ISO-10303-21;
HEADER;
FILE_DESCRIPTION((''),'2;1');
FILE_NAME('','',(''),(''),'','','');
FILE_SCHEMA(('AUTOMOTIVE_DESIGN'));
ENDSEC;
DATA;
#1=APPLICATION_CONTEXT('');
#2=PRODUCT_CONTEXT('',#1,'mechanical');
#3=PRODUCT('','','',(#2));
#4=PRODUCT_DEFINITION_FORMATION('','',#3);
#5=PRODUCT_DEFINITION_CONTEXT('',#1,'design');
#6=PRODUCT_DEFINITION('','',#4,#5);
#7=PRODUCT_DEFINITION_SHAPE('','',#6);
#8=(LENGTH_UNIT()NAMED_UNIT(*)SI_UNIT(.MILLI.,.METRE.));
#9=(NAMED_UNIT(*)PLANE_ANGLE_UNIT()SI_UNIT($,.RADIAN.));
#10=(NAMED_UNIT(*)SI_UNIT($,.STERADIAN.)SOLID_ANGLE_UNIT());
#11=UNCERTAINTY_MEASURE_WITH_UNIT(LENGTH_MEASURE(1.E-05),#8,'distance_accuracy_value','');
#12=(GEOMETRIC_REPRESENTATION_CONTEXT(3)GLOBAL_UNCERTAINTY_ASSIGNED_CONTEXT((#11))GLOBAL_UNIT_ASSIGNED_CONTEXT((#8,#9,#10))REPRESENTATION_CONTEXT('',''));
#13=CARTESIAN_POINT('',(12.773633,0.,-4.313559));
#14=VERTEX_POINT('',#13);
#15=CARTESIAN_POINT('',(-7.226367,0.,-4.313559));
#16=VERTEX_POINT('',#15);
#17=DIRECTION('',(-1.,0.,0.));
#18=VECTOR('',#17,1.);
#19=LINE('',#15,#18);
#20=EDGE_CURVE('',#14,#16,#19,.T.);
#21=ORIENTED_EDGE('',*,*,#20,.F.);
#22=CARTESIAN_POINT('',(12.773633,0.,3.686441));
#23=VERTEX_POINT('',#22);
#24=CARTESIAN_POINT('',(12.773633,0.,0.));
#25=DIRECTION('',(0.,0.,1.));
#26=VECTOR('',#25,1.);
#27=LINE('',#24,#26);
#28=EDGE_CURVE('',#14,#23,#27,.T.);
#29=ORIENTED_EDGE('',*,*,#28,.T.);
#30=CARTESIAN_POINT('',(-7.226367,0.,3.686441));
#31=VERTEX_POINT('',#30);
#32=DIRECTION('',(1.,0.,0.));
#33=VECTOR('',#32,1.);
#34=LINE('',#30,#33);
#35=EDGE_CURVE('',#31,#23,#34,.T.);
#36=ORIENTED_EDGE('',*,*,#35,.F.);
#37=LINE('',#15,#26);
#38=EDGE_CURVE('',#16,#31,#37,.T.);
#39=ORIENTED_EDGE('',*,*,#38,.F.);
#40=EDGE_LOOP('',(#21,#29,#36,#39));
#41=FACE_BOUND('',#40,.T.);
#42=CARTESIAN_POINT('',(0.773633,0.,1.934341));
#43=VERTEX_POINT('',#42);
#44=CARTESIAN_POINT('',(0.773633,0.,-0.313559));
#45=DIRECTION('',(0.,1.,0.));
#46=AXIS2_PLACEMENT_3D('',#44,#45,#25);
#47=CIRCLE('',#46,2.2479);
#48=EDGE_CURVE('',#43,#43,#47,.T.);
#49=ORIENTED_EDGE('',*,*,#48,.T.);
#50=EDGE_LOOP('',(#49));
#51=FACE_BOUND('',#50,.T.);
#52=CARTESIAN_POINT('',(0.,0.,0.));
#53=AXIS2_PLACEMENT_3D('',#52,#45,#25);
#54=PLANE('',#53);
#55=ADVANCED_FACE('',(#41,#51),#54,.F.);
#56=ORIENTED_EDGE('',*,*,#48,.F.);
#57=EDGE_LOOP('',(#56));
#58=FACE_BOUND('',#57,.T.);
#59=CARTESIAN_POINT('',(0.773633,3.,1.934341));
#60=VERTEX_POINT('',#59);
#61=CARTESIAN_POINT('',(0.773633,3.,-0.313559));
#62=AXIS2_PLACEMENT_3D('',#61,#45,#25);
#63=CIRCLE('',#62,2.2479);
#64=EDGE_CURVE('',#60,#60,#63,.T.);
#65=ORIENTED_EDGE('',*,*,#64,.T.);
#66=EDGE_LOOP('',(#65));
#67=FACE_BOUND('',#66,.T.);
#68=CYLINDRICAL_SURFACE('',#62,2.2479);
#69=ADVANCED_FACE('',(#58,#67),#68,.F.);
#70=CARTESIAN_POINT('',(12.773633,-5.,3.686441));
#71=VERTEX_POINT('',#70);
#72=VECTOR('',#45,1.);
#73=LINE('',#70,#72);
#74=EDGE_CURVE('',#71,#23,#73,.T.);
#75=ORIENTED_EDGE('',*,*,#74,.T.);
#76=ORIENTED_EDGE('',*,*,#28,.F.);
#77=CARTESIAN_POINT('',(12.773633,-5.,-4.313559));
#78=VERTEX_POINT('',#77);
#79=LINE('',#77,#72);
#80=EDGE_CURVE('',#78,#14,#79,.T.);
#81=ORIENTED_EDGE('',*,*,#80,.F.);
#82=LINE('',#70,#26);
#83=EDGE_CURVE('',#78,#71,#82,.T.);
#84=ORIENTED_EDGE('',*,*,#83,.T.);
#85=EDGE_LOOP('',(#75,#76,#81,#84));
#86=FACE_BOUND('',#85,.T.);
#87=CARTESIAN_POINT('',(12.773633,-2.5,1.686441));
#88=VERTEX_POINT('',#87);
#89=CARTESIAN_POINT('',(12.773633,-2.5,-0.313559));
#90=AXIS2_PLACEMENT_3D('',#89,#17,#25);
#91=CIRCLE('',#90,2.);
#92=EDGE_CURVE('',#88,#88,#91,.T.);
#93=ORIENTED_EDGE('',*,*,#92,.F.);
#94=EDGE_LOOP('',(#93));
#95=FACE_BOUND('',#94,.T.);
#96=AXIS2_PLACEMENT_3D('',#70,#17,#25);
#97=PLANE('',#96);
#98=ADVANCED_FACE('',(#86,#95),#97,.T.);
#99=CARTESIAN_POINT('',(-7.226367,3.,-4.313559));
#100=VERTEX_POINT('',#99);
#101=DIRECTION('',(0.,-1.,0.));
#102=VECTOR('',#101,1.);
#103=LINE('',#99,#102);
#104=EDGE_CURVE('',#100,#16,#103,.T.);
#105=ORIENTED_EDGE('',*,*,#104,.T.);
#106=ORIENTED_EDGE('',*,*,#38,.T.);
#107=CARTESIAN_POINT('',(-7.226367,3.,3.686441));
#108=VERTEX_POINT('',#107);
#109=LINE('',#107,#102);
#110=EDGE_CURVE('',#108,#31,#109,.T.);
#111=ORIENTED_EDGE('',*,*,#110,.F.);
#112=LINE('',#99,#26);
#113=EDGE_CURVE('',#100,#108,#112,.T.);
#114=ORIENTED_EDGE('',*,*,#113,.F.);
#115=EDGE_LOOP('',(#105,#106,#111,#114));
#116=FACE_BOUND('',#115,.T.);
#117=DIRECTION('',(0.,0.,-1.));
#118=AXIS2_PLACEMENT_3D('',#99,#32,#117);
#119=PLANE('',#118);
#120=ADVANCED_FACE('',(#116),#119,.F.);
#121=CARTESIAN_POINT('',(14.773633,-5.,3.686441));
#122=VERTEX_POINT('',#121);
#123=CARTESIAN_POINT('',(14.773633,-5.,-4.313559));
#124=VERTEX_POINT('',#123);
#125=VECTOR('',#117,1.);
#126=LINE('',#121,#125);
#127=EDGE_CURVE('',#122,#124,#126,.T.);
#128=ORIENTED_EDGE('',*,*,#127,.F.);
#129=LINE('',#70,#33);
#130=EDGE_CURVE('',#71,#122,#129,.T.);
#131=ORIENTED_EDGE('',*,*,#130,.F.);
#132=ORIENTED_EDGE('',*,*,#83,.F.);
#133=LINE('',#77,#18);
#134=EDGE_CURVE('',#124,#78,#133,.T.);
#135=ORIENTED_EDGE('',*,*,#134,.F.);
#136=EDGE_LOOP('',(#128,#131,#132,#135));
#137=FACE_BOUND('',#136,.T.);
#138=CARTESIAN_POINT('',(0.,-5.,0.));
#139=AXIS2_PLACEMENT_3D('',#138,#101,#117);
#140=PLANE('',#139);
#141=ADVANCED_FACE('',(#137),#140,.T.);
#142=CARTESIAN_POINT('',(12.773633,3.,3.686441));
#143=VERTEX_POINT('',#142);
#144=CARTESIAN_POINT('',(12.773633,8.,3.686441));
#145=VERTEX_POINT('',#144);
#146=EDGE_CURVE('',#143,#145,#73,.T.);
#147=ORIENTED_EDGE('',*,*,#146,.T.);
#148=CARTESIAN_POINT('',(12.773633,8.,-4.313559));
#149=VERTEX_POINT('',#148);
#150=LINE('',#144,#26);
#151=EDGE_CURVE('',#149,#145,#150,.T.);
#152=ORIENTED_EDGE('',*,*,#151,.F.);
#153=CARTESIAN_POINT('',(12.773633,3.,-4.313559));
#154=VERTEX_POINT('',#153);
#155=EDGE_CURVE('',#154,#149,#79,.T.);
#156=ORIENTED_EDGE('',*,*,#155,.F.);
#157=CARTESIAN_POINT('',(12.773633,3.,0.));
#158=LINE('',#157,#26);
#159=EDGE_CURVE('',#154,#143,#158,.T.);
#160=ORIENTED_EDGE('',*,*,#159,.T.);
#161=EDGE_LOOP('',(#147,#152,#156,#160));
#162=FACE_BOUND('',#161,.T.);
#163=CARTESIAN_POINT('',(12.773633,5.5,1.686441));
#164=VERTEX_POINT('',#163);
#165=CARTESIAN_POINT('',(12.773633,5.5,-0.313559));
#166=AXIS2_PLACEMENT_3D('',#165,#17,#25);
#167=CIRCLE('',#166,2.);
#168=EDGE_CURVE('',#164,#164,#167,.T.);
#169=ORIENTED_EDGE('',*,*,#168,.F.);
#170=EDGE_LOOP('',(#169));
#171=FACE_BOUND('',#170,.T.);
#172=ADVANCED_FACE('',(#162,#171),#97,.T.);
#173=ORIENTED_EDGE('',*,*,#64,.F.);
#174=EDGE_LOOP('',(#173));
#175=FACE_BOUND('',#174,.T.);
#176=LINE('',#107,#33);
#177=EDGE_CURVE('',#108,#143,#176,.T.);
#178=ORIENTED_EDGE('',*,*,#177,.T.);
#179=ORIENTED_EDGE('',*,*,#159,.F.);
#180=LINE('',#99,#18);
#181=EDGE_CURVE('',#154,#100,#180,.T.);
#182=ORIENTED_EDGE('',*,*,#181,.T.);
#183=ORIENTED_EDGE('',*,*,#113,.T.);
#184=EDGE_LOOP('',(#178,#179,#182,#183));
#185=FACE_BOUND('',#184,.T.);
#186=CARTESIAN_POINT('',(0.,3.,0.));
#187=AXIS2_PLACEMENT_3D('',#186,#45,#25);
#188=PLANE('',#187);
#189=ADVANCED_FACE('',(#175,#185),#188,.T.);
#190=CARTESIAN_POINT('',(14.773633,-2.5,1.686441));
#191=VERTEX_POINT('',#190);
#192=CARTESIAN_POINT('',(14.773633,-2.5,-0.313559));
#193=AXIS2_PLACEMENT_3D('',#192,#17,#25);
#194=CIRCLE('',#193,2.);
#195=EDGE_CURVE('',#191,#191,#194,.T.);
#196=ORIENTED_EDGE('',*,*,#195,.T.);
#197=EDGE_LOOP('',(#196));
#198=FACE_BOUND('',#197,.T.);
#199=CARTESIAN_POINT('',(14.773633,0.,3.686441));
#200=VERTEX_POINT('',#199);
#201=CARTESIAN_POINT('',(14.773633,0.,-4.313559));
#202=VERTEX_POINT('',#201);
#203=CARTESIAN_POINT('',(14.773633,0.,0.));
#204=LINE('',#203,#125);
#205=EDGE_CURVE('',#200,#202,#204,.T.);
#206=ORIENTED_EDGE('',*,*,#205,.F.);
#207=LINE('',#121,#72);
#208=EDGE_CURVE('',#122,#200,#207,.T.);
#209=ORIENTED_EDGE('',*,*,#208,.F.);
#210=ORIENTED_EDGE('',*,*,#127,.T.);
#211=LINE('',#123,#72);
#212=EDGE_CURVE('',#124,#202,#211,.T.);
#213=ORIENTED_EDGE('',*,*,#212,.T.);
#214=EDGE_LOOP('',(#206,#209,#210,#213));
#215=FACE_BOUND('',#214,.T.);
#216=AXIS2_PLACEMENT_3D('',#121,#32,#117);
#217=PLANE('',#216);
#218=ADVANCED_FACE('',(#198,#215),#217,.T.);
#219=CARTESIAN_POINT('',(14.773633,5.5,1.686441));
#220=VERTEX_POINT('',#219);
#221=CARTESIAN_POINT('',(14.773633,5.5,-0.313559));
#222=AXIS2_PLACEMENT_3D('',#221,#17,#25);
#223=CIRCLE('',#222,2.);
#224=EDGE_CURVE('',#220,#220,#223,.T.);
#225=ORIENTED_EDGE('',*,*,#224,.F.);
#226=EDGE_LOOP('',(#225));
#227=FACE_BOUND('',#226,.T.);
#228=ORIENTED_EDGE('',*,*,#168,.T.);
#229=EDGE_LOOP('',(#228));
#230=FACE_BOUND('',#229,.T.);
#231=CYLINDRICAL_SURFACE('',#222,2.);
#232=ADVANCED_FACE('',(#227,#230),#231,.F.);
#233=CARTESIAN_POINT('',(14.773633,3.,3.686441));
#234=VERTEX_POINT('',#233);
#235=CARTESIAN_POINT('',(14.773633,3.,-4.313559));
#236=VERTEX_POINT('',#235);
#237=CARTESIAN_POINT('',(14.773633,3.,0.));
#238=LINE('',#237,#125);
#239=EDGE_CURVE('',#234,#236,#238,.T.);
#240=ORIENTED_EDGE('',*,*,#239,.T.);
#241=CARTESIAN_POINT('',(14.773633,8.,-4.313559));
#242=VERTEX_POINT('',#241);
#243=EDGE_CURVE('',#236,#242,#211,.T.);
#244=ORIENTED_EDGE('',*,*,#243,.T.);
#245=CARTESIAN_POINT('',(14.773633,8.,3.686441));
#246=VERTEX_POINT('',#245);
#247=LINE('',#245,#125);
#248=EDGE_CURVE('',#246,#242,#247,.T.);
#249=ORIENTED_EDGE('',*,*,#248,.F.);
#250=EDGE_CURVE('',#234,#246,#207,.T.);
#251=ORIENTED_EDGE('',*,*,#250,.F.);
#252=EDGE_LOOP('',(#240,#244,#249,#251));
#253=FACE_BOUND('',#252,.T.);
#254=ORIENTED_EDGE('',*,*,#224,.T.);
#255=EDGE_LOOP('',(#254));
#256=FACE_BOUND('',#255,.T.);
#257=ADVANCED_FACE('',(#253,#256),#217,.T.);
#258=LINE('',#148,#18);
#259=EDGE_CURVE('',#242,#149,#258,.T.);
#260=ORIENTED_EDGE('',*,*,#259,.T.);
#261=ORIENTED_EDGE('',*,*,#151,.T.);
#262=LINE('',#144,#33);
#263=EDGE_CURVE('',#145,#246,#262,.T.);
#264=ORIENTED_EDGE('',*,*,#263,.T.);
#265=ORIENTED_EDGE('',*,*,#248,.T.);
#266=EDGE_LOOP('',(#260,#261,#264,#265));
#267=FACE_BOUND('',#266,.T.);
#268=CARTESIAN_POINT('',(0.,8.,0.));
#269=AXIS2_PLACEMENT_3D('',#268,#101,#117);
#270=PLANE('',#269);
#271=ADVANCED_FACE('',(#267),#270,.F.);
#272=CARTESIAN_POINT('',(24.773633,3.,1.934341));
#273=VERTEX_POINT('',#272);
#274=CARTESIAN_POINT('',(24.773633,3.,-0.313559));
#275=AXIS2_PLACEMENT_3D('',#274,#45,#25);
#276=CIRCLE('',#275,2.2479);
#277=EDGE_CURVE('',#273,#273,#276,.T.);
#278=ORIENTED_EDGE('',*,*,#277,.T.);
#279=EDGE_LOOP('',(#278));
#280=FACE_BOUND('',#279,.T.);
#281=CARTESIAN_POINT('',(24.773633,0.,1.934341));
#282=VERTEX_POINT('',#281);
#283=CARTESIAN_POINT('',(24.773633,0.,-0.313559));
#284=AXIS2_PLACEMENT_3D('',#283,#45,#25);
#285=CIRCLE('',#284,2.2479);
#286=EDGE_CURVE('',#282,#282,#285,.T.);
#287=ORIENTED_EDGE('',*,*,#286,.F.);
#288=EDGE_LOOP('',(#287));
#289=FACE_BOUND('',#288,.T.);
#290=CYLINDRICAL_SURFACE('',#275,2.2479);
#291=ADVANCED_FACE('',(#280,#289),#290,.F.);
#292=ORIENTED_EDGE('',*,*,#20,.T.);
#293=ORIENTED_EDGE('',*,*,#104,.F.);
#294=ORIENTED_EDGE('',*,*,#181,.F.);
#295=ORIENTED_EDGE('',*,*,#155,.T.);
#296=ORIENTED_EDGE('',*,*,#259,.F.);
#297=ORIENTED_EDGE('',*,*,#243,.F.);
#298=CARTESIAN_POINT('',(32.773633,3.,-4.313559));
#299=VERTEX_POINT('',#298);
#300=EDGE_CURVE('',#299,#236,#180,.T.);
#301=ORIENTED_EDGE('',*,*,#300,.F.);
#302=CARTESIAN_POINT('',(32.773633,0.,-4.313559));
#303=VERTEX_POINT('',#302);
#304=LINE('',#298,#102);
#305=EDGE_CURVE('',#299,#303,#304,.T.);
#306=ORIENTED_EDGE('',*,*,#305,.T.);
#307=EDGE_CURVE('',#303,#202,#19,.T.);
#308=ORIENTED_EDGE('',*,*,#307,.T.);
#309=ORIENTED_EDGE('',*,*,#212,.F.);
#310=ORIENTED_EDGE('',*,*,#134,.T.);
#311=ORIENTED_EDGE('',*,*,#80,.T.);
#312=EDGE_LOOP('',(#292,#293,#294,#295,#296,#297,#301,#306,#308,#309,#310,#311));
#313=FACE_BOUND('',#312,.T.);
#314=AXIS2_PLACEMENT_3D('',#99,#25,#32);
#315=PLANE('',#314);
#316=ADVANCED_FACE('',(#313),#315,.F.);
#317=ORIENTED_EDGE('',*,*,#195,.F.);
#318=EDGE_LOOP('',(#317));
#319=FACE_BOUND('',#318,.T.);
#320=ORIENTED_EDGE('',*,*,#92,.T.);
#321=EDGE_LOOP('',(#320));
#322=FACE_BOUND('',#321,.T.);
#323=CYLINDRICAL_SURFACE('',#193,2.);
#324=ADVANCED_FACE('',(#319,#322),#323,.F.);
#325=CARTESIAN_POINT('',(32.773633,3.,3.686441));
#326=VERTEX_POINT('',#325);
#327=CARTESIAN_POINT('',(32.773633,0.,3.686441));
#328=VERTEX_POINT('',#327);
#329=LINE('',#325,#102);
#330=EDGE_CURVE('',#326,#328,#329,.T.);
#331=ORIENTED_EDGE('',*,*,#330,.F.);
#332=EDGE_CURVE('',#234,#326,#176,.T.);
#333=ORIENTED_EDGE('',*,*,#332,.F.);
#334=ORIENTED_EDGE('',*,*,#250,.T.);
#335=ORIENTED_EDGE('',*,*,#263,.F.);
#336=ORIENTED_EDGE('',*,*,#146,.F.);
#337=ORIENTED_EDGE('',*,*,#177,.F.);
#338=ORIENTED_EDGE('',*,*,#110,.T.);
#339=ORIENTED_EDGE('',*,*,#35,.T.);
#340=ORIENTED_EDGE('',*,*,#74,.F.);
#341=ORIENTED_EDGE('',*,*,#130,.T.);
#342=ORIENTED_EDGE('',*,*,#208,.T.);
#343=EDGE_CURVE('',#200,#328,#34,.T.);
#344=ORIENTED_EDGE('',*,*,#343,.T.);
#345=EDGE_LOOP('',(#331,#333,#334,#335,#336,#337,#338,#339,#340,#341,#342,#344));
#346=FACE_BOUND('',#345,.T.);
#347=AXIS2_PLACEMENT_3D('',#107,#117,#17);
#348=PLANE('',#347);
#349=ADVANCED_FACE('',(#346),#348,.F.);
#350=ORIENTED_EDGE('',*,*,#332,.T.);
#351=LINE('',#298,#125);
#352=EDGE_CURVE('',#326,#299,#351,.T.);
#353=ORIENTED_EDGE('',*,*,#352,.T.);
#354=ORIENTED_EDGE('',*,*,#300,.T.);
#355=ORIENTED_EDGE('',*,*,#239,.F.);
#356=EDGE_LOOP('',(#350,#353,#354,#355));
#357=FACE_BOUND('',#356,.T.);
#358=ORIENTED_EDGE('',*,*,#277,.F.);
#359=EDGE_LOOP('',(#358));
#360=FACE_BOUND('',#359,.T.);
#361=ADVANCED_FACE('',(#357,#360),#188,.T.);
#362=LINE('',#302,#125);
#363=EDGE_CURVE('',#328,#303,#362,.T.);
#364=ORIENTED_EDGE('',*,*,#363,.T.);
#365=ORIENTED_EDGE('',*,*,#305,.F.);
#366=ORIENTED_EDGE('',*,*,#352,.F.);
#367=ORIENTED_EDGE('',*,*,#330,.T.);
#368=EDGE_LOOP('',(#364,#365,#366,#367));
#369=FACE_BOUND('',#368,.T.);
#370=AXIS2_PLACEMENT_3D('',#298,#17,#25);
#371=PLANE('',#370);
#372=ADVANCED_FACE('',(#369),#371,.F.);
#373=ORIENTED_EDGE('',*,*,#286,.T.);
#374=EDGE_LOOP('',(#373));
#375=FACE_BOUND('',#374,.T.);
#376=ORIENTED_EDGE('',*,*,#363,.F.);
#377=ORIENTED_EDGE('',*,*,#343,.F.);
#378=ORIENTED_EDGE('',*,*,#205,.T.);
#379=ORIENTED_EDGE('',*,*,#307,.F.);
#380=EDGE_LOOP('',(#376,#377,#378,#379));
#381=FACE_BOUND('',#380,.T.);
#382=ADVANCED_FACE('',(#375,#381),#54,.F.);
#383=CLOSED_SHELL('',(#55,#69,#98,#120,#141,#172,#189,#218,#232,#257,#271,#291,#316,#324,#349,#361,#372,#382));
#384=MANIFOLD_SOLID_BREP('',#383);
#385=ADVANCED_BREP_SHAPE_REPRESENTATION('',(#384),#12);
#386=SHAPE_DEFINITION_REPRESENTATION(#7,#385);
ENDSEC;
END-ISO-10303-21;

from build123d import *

# Parameters (mm, degrees)
SKETCH1_W                 = 40
SKETCH1_H                 = 8
BOSS_EXTRUDE1_DEPTH       = 3
F_8_CLEARANCE_HOLE1_D     = 4.4958
F_8_CLEARANCE_HOLE1_DEPTH = 17
F_8_CLEARANCE_HOLE1_TIP   = 1.350674586
SKETCH5_W                 = 2
SKETCH5_H                 = 8
BOSS_EXTRUDE2_DEPTH       = 5
BOSS_EXTRUDE2_DEPTH_BACK  = 8
SKETCH6_R                 = 2
CUT_EXTRUDE1_DEPTH        = 2


with BuildPart() as part:
    # Sketch1 → Boss-Extrude1 (new body)
    with BuildSketch(Plane(origin=(0, 0, 0), x_dir=(1, 0, 0), z_dir=(0, 1, 0))):
        with Locations((12.773632998, 0.313559322)):
            Rectangle(SKETCH1_W, SKETCH1_H)
    extrude(amount=BOSS_EXTRUDE1_DEPTH)

    # #8 Clearance Hole1
    with Locations(Plane(origin=(0.773632998, 3, -0.313559322), x_dir=(0, 0, 1), z_dir=(0, 1, 0))):
        with Locations((0, 0), (0, 24)):
            Hole(F_8_CLEARANCE_HOLE1_D / 2, depth=F_8_CLEARANCE_HOLE1_DEPTH)
            with Locations((0, 0, -(F_8_CLEARANCE_HOLE1_DEPTH + F_8_CLEARANCE_HOLE1_TIP / 2))):  # 118° drill point
                Cone(0, F_8_CLEARANCE_HOLE1_D / 2, F_8_CLEARANCE_HOLE1_TIP, mode=Mode.SUBTRACT)

    # Sketch5 → Boss-Extrude2 (add, two sides)
    with BuildSketch(Plane(origin=(0, 3, 0), x_dir=(1, 0, 0), z_dir=(0, 1, 0))) as boss_extrude2_sk:
        with Locations((13.773632998, 0.313559322)):
            Rectangle(SKETCH5_W, SKETCH5_H)
    extrude(amount=BOSS_EXTRUDE2_DEPTH)
    extrude(boss_extrude2_sk.sketch, amount=-BOSS_EXTRUDE2_DEPTH_BACK)

    # Sketch6 → Cut-Extrude1 (cut)
    with BuildSketch(Plane.ZY.offset(-12.773632998)):
        with Locations((-0.313559322, 5.5)):
            Circle(SKETCH6_R)
        with Locations((-0.313559322, -2.5)):
            Circle(SKETCH6_R)
    extrude(amount=-CUT_EXTRUDE1_DEPTH, mode=Mode.SUBTRACT)


solid = part.part
